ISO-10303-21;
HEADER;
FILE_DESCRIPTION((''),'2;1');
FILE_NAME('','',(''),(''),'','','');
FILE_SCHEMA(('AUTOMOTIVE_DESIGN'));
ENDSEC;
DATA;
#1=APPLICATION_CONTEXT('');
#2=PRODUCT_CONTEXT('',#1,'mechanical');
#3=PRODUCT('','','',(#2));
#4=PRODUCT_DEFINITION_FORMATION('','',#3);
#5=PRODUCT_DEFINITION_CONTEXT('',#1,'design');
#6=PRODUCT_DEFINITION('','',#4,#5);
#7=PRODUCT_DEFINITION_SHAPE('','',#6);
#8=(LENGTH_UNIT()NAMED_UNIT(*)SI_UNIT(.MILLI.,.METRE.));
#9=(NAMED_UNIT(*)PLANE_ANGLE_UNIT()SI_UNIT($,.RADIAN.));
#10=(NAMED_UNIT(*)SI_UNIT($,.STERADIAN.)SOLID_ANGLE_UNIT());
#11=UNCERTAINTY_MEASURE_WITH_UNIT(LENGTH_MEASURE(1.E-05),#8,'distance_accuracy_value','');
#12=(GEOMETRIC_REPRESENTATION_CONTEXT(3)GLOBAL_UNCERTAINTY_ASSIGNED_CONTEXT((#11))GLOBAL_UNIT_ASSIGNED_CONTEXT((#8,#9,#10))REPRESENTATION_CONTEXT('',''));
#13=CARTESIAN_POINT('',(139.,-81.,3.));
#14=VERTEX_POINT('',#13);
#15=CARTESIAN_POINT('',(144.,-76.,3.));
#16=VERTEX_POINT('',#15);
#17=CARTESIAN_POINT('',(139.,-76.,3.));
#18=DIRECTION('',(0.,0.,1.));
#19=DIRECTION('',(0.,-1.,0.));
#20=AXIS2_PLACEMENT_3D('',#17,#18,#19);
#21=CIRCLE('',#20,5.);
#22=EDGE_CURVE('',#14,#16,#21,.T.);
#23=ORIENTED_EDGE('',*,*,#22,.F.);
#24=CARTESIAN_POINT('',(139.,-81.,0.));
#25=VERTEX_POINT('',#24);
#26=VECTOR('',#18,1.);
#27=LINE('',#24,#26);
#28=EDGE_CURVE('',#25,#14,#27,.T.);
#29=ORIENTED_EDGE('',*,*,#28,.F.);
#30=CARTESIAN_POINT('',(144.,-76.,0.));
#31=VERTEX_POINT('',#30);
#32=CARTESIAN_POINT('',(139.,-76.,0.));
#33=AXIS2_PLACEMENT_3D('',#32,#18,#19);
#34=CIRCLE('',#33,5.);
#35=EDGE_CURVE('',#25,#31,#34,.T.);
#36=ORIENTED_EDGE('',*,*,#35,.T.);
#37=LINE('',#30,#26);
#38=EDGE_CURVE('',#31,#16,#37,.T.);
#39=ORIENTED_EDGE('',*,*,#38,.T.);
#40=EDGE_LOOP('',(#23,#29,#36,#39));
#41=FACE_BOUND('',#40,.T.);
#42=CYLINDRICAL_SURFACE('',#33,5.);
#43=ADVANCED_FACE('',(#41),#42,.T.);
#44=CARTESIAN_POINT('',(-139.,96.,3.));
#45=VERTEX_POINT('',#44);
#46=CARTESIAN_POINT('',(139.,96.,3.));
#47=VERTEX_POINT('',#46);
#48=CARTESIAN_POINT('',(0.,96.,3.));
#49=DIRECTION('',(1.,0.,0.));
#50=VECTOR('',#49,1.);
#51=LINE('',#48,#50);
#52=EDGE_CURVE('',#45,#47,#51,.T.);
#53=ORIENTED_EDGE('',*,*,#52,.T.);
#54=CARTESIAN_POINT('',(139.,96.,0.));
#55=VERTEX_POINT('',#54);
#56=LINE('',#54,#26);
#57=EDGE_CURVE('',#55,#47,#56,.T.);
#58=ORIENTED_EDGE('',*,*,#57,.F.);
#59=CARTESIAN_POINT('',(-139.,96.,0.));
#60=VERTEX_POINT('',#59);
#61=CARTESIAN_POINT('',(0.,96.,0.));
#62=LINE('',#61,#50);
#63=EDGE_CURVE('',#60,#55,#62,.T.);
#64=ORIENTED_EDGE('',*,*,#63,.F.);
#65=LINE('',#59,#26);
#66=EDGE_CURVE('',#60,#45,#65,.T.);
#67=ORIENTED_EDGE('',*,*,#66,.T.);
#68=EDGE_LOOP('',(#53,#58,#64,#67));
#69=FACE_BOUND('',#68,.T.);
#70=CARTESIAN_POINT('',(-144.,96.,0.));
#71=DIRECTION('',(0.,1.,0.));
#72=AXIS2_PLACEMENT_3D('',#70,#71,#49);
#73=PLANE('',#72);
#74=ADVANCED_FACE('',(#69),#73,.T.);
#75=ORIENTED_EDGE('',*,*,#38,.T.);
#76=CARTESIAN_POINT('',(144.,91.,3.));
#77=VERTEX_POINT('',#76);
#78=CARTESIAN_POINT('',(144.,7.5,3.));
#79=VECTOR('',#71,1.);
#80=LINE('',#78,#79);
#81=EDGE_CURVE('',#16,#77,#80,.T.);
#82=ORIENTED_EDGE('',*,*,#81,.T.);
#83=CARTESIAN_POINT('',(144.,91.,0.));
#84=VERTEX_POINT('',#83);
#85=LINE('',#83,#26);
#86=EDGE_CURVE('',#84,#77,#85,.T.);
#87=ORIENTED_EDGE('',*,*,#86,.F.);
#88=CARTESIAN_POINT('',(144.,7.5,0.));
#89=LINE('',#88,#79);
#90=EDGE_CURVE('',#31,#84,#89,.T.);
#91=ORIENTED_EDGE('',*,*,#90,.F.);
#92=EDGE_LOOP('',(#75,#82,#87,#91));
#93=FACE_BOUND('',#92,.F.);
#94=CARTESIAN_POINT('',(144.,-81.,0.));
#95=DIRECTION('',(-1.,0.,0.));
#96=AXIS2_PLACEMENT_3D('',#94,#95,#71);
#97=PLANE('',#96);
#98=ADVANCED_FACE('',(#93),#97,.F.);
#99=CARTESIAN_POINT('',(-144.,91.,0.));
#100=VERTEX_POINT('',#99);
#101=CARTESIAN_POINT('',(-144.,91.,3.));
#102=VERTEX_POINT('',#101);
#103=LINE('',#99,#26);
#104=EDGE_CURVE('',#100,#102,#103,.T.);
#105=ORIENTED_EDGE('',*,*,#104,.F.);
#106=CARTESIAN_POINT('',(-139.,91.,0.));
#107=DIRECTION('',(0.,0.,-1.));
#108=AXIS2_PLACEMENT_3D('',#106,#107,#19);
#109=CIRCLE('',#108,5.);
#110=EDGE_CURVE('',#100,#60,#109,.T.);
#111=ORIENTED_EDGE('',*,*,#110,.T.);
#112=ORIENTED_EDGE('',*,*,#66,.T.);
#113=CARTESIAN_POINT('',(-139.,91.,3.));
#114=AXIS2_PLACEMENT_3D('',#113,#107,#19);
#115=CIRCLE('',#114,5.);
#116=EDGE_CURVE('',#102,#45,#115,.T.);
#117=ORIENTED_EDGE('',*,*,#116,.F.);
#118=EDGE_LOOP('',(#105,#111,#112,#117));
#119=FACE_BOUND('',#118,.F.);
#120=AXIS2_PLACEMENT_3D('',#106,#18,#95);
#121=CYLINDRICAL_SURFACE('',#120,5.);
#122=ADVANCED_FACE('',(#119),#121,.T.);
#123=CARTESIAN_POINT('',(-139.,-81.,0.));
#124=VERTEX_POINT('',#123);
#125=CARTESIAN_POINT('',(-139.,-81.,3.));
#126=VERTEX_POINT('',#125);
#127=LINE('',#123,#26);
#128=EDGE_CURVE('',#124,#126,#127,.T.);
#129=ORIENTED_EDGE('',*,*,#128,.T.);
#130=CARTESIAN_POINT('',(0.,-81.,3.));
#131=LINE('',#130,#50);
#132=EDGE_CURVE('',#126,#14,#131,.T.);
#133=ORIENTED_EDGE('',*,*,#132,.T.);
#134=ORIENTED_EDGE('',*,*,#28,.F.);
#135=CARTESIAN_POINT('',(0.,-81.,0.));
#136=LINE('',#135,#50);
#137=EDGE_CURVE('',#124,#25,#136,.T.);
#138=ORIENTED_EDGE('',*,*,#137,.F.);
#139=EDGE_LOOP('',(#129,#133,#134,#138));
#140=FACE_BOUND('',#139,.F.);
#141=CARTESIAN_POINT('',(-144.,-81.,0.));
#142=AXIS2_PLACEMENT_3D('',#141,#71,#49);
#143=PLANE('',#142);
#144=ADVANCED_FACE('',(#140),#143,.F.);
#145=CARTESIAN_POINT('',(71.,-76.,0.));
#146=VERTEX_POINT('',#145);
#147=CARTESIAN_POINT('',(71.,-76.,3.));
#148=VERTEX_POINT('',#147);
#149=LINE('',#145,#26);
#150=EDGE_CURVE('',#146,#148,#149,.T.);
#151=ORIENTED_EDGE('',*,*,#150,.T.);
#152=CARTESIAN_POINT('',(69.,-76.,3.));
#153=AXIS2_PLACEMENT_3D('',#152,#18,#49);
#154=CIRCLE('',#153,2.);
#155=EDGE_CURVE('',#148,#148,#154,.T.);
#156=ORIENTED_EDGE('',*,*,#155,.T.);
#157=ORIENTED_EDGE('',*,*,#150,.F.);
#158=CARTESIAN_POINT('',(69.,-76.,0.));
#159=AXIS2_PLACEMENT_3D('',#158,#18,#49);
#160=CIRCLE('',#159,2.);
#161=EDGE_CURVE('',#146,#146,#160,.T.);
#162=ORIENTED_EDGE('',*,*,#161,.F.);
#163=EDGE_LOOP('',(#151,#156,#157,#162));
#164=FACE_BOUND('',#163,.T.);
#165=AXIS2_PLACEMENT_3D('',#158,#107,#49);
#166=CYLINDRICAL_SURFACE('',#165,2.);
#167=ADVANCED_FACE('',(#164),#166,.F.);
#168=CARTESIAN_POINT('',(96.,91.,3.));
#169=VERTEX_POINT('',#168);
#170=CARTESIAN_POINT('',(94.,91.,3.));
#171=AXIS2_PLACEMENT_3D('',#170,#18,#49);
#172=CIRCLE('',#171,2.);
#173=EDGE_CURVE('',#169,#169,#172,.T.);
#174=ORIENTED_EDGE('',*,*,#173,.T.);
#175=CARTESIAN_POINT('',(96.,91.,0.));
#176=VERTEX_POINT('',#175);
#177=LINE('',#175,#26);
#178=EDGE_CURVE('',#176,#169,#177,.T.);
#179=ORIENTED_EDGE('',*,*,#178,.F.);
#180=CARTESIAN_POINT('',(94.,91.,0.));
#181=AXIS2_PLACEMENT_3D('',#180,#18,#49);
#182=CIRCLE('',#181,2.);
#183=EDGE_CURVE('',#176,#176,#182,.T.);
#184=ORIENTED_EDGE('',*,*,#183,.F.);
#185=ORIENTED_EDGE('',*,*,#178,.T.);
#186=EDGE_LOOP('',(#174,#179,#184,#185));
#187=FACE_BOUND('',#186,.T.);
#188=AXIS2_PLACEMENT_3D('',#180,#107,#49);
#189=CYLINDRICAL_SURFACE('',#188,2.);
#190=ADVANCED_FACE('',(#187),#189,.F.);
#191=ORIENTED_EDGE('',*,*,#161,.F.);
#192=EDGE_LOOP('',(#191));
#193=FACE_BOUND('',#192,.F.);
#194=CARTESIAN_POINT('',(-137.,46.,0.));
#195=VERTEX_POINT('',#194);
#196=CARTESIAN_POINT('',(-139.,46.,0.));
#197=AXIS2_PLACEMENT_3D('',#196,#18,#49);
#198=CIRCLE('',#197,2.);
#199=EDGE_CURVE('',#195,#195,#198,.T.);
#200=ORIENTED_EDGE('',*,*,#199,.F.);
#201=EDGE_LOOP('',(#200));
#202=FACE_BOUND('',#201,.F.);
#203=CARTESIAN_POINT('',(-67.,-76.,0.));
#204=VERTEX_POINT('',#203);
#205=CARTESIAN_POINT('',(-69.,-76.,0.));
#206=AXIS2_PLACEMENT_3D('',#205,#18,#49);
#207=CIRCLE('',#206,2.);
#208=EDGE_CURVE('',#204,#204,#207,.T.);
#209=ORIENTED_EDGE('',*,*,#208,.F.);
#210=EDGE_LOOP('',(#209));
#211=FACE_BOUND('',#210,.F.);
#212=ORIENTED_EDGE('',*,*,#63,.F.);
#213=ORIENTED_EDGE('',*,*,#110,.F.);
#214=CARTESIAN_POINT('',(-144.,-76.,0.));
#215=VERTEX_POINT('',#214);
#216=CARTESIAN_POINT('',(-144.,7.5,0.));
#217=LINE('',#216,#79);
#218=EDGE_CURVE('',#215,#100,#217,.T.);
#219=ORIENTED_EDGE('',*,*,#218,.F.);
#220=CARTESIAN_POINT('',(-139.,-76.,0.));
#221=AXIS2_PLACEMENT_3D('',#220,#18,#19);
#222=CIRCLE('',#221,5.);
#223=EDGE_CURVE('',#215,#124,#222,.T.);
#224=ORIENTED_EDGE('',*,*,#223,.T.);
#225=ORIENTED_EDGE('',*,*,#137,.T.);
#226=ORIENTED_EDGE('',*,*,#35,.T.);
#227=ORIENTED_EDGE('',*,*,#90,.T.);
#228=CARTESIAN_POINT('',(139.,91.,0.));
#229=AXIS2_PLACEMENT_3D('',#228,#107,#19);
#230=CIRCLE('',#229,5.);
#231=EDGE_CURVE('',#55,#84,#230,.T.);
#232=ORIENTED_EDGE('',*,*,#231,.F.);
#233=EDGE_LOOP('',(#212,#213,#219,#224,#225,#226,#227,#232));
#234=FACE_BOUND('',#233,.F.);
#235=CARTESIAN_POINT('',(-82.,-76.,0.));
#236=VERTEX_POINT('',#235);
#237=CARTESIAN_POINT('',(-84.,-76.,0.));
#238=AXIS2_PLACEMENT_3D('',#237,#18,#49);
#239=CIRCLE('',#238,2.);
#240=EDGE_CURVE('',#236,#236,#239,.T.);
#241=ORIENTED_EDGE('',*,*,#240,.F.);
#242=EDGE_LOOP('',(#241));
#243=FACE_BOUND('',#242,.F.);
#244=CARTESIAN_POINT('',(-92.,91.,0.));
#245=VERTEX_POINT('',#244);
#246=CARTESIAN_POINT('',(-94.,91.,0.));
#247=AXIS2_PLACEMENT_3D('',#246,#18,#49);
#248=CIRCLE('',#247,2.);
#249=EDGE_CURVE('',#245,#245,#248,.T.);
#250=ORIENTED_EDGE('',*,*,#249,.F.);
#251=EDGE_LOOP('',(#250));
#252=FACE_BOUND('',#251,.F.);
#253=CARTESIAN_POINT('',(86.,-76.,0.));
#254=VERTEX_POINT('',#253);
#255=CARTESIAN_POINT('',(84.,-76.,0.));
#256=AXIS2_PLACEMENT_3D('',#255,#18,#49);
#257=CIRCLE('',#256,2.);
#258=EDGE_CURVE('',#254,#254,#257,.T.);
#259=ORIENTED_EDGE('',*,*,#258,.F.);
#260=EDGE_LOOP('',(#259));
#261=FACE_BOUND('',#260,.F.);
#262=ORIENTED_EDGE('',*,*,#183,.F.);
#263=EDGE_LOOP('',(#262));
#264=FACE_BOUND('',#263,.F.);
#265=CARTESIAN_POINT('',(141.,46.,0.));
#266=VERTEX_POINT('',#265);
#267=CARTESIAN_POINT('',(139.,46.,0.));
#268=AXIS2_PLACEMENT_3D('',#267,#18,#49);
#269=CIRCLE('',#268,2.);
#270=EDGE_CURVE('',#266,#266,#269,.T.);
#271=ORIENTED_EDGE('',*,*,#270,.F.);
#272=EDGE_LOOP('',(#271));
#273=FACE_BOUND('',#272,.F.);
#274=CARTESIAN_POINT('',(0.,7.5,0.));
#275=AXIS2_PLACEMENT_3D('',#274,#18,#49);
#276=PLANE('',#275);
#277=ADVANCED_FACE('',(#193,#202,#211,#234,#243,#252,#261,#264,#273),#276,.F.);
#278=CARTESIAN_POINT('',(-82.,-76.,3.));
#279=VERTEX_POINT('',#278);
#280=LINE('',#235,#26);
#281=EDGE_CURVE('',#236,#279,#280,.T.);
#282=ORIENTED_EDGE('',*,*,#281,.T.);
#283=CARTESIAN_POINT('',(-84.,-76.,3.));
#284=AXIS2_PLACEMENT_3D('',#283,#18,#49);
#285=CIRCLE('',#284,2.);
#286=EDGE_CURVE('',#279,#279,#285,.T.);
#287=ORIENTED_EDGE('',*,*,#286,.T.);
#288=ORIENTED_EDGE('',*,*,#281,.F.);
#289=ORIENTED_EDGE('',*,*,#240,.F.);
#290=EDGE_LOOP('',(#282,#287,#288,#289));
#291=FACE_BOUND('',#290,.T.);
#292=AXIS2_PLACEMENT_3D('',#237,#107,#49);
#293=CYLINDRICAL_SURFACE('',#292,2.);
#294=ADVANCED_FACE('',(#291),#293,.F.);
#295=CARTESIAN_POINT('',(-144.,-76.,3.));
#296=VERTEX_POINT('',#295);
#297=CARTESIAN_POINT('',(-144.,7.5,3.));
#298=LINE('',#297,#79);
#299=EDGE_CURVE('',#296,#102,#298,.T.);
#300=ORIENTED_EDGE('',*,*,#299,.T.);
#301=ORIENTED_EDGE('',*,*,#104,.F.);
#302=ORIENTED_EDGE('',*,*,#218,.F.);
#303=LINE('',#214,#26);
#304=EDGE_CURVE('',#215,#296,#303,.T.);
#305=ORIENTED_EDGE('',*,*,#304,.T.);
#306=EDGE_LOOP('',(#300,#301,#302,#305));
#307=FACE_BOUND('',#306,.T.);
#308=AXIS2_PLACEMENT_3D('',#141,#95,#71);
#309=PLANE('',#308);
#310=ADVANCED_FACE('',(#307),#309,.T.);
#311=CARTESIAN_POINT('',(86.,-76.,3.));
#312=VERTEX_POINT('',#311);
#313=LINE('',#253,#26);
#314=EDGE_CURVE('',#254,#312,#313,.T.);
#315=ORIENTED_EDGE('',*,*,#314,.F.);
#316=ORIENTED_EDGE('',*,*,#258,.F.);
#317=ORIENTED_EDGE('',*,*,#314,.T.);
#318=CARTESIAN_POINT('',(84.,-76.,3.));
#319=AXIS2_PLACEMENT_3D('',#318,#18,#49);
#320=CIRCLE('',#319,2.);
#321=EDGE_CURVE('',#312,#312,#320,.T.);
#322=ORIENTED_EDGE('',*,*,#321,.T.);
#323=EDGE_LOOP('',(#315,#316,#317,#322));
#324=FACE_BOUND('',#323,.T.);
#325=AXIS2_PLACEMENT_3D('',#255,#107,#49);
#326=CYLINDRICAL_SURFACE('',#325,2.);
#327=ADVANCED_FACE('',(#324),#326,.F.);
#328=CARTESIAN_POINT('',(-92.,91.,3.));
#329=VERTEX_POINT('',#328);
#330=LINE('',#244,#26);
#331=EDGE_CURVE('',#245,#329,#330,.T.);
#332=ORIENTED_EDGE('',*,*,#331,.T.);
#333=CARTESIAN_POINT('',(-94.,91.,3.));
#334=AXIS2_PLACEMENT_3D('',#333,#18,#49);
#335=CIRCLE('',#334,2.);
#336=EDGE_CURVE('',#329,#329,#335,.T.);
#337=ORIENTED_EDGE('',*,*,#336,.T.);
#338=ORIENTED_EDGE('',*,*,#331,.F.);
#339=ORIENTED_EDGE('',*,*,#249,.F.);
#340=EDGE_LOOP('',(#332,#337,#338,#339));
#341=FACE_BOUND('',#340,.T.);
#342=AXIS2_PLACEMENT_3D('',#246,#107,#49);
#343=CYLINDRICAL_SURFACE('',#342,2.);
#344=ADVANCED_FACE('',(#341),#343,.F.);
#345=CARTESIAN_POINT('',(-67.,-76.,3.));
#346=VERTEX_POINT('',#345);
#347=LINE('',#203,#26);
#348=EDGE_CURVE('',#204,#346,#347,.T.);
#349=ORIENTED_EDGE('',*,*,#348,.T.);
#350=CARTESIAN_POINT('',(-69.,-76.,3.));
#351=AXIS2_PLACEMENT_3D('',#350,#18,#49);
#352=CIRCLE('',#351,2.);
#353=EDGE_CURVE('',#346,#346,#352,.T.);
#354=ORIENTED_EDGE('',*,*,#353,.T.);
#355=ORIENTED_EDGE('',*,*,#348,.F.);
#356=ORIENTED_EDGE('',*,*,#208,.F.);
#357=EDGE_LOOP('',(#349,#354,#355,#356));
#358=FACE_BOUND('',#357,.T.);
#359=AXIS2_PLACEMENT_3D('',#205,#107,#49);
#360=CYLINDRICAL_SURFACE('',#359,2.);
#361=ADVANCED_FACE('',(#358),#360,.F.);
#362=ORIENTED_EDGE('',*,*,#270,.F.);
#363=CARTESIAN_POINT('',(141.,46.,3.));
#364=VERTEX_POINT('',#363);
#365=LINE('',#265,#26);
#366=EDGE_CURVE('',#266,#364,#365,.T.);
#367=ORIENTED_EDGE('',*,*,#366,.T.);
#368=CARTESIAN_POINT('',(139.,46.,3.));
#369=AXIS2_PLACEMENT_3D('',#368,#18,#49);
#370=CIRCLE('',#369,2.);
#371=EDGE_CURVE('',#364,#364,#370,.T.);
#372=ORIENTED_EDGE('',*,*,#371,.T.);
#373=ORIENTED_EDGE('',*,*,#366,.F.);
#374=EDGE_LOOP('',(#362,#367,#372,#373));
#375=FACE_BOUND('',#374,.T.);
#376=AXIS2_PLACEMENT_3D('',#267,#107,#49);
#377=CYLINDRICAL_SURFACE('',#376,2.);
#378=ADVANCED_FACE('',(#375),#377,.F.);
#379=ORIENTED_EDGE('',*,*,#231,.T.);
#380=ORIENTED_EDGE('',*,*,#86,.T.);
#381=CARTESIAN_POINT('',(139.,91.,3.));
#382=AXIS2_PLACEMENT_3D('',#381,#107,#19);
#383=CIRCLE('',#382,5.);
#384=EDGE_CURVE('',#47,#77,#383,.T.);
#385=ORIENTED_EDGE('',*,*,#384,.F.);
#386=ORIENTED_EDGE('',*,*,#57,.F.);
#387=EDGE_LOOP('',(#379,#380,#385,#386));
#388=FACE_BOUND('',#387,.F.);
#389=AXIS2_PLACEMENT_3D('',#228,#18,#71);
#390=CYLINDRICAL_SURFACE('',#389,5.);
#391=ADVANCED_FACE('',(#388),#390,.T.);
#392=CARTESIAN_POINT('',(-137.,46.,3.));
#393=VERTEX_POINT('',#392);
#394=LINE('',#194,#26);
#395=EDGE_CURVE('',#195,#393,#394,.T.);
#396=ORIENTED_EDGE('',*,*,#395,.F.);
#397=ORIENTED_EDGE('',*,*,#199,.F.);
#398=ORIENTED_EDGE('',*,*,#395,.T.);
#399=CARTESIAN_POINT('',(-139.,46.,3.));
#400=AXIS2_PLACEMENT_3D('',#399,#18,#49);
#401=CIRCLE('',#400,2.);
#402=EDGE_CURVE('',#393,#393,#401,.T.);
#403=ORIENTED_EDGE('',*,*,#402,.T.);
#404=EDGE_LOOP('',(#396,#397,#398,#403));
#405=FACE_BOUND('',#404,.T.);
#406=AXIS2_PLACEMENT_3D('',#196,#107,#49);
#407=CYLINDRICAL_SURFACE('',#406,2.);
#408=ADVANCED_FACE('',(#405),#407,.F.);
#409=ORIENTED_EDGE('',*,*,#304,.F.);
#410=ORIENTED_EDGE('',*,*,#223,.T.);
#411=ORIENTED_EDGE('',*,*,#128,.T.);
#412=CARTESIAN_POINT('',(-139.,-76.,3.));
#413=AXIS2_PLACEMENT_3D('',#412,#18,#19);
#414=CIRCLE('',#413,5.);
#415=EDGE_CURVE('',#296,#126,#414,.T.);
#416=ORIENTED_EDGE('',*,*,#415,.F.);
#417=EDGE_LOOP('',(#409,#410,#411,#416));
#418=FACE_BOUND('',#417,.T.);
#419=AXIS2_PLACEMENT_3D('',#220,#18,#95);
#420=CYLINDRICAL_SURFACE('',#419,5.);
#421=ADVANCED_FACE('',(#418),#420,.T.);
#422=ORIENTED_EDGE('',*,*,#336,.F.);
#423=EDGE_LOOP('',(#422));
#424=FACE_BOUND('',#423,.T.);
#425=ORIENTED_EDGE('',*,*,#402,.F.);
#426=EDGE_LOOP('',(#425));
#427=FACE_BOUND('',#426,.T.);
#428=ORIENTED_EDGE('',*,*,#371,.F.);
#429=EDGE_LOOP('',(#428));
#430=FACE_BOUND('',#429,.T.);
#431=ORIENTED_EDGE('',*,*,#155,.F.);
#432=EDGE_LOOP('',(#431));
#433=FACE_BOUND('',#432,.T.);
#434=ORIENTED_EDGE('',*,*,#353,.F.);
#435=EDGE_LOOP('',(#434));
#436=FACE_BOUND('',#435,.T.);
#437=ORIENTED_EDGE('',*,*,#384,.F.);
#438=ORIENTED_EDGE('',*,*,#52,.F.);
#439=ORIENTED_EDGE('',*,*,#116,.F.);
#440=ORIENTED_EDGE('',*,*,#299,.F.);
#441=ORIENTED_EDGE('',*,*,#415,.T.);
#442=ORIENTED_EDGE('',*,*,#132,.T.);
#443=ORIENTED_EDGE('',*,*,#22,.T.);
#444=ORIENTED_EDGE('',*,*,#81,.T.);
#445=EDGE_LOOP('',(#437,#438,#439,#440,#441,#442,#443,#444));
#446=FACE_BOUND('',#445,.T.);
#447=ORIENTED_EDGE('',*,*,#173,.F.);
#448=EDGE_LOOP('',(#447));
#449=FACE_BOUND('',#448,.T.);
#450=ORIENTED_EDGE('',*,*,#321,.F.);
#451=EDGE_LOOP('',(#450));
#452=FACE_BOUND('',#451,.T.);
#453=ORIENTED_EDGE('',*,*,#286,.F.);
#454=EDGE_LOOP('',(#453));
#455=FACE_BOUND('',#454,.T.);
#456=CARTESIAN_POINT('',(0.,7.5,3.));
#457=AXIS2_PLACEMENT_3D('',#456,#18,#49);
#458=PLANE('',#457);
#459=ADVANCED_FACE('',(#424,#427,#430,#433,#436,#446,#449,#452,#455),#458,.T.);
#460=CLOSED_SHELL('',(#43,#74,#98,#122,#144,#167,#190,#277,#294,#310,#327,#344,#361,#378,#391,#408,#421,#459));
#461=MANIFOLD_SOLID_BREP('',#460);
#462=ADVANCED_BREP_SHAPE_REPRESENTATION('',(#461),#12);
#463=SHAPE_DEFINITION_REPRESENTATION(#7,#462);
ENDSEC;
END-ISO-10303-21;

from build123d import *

# Parameters (mm, degrees)
F0_W     = 288
F0_H     = 177
F0_R     = 2
F1_DEPTH = 3
F2_R     = 5


with BuildPart() as f1:
    # F0 (on Top) → F1 (new body)
    with BuildSketch(Plane.XY):
        with Locations((0, 7.5)):
            Rectangle(F0_W, F0_H)
        with Locations((-84, -76)):
            Circle(F0_R, mode=Mode.SUBTRACT)
        with Locations((-69, -76)):
            Circle(F0_R, mode=Mode.SUBTRACT)
        with Locations((69, -76)):
            Circle(F0_R, mode=Mode.SUBTRACT)
        with Locations((84, -76)):
            Circle(F0_R, mode=Mode.SUBTRACT)
        with Locations((-139, 46)):
            Circle(F0_R, mode=Mode.SUBTRACT)
        with Locations((-94, 91)):
            Circle(F0_R, mode=Mode.SUBTRACT)
        with Locations((139, 46)):
            Circle(F0_R, mode=Mode.SUBTRACT)
        with Locations((94, 91)):
            Circle(F0_R, mode=Mode.SUBTRACT)
    extrude(amount=F1_DEPTH)

    # F2
    f2_edges = [f1.edges().sort_by_distance(p)[0] for p in [
        (-144, 96, 1.5),
        (144, 96, 1.5),
        (144, -81, 1.5),
        (-144, -81, 1.5),
    ]]
    fillet(f2_edges, radius=F2_R)


solid = f1.part
